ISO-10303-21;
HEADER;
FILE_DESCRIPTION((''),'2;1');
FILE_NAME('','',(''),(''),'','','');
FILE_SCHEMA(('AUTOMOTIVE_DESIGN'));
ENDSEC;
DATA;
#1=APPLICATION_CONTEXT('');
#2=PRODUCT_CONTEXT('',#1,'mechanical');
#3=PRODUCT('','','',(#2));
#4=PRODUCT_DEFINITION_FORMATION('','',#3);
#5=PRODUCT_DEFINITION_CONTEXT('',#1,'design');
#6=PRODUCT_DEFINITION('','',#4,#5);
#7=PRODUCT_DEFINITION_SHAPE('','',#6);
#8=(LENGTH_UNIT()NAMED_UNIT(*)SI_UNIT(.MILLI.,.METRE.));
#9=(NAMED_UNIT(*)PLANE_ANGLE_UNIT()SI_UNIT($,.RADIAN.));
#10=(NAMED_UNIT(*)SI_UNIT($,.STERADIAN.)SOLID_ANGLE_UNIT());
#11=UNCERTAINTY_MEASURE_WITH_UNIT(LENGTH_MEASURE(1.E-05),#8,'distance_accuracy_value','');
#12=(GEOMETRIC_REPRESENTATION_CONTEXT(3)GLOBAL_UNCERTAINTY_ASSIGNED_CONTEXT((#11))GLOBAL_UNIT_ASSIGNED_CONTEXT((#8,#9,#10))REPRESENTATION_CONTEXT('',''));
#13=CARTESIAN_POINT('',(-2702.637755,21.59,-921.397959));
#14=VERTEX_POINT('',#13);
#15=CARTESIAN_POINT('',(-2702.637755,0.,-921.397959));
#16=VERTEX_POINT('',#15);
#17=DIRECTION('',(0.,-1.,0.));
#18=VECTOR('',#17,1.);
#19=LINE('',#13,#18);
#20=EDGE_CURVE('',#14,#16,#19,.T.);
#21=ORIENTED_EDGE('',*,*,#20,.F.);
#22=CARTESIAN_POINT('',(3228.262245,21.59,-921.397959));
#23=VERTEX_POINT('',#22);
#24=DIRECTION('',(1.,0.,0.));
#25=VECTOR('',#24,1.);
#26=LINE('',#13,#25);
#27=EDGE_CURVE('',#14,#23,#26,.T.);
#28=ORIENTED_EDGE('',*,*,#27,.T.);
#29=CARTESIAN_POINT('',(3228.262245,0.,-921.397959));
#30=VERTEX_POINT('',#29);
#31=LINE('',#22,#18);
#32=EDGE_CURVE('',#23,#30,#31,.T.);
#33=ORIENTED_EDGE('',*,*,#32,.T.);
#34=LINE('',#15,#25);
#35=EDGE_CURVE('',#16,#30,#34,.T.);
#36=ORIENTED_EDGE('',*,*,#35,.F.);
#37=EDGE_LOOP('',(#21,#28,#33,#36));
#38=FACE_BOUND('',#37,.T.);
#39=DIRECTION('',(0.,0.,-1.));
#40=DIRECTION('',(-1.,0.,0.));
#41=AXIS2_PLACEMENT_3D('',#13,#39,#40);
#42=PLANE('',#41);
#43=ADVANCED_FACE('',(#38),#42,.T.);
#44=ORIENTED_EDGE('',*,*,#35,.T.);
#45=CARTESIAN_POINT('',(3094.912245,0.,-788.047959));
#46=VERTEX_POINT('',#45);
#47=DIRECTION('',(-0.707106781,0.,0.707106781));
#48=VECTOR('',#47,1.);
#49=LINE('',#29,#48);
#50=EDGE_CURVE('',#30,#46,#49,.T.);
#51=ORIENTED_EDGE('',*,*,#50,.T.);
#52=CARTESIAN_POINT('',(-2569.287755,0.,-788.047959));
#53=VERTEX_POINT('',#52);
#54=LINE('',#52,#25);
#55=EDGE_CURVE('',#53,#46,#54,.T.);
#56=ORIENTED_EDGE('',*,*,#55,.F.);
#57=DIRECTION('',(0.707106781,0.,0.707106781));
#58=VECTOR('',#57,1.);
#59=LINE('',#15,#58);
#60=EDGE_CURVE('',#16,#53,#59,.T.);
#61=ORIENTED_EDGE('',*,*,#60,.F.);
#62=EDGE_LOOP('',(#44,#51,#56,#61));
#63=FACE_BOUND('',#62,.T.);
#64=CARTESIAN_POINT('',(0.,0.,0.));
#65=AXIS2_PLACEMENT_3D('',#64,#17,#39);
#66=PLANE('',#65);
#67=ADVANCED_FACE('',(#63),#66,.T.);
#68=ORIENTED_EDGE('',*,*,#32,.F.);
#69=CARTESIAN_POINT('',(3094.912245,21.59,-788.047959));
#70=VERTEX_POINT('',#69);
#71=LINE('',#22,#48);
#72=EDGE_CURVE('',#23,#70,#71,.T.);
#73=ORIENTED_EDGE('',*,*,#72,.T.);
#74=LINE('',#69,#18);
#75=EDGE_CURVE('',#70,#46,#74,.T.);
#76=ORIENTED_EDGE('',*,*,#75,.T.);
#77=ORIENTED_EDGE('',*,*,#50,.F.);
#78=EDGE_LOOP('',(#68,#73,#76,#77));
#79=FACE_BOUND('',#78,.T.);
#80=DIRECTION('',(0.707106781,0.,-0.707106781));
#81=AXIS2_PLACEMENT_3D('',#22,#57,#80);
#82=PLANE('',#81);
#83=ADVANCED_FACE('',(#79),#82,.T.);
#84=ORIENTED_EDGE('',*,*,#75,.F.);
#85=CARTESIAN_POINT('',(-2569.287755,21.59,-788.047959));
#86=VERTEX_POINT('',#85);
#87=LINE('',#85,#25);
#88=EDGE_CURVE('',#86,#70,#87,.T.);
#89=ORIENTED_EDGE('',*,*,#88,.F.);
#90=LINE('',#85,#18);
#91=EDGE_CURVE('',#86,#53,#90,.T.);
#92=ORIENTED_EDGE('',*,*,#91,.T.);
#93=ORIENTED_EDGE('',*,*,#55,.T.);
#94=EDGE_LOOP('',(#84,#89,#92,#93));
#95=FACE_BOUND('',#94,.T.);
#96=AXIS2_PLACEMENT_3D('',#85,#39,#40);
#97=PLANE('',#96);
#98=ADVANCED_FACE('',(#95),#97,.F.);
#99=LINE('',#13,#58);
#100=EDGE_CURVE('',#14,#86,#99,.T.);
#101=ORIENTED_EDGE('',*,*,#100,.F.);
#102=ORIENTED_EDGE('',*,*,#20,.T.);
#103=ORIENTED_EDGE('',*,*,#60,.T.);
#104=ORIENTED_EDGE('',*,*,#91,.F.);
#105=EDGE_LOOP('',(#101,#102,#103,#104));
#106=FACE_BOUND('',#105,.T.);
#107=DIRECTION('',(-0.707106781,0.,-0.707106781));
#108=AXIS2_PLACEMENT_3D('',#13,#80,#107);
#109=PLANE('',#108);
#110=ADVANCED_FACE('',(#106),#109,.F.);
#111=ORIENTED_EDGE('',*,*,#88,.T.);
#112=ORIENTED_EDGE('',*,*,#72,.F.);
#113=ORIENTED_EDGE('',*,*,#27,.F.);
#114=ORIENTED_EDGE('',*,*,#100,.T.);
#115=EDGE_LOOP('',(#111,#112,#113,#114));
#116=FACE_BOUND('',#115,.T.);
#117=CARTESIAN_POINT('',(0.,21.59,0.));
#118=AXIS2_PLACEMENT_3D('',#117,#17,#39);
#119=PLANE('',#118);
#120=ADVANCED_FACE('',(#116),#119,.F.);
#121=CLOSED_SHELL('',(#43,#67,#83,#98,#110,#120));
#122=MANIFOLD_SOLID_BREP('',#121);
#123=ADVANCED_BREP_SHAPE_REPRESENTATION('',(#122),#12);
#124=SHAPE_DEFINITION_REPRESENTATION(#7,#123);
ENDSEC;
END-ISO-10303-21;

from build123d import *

# Parameters (mm, degrees)
BOSS_EXTRUDE1_DEPTH = 21.59


with BuildPart() as part:
    # Sketch1 → Boss-Extrude1 (new body)
    with BuildSketch(Plane(origin=(0, 0, 0), x_dir=(1, 0, 0), z_dir=(0, 1, 0))):
        Polygon((-2702.637755102, 921.397959184), (3228.262244898, 921.397959184), (3094.912244898, 788.047959184), (-2569.287755102, 788.047959184), align=None)
    extrude(amount=BOSS_EXTRUDE1_DEPTH)


solid = part.part
